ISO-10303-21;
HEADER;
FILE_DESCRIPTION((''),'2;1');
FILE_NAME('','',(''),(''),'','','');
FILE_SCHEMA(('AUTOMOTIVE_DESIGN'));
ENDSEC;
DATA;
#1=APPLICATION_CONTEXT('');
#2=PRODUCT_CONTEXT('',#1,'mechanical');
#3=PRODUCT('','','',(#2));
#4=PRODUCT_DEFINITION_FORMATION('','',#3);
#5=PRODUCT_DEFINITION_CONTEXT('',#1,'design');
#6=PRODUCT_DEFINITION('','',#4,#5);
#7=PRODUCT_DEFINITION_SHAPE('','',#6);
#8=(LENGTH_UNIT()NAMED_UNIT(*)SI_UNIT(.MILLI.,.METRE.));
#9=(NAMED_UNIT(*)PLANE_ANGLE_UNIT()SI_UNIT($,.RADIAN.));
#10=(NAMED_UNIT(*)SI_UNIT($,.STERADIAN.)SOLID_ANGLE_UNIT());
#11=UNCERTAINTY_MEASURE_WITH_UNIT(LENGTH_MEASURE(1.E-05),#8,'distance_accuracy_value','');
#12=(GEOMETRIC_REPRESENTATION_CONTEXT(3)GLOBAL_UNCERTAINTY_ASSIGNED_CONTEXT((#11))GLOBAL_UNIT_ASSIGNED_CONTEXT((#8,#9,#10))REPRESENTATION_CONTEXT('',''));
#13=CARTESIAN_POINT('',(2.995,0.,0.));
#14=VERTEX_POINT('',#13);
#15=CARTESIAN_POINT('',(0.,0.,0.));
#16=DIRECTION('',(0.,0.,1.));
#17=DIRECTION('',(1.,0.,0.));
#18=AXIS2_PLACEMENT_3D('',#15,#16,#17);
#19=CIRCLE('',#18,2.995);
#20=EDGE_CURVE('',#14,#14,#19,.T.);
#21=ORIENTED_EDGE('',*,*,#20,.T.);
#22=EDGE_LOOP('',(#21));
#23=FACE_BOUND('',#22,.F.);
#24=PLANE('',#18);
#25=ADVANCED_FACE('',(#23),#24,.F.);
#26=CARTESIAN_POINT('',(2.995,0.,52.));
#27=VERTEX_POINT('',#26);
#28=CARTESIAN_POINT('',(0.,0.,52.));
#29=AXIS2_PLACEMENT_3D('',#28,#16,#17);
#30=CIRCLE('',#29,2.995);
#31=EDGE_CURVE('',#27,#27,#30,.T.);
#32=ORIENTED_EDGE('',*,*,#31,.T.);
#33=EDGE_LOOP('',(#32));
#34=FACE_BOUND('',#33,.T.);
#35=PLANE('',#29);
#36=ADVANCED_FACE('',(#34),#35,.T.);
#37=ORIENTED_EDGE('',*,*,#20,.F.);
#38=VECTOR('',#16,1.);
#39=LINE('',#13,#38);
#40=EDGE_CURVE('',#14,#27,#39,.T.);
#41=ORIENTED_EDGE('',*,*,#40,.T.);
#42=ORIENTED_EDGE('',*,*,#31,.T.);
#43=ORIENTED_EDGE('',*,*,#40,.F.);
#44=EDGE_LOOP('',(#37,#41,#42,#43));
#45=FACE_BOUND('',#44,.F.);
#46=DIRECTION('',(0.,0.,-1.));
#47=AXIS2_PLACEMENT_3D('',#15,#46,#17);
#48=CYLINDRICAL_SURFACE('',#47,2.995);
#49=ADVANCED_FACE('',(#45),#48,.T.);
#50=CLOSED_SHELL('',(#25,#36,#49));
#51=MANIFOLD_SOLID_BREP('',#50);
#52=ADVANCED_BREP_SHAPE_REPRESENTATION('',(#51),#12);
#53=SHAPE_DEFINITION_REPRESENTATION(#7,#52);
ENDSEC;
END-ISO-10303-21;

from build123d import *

# Parameters (mm, degrees)
SKETCH_R  = 2.995
PAD_DEPTH = 52


with BuildPart() as part:
    # Sketch → Pad (new body)
    with BuildSketch(Plane.XY):
        Circle(SKETCH_R)
    extrude(amount=PAD_DEPTH)


solid = part.part
